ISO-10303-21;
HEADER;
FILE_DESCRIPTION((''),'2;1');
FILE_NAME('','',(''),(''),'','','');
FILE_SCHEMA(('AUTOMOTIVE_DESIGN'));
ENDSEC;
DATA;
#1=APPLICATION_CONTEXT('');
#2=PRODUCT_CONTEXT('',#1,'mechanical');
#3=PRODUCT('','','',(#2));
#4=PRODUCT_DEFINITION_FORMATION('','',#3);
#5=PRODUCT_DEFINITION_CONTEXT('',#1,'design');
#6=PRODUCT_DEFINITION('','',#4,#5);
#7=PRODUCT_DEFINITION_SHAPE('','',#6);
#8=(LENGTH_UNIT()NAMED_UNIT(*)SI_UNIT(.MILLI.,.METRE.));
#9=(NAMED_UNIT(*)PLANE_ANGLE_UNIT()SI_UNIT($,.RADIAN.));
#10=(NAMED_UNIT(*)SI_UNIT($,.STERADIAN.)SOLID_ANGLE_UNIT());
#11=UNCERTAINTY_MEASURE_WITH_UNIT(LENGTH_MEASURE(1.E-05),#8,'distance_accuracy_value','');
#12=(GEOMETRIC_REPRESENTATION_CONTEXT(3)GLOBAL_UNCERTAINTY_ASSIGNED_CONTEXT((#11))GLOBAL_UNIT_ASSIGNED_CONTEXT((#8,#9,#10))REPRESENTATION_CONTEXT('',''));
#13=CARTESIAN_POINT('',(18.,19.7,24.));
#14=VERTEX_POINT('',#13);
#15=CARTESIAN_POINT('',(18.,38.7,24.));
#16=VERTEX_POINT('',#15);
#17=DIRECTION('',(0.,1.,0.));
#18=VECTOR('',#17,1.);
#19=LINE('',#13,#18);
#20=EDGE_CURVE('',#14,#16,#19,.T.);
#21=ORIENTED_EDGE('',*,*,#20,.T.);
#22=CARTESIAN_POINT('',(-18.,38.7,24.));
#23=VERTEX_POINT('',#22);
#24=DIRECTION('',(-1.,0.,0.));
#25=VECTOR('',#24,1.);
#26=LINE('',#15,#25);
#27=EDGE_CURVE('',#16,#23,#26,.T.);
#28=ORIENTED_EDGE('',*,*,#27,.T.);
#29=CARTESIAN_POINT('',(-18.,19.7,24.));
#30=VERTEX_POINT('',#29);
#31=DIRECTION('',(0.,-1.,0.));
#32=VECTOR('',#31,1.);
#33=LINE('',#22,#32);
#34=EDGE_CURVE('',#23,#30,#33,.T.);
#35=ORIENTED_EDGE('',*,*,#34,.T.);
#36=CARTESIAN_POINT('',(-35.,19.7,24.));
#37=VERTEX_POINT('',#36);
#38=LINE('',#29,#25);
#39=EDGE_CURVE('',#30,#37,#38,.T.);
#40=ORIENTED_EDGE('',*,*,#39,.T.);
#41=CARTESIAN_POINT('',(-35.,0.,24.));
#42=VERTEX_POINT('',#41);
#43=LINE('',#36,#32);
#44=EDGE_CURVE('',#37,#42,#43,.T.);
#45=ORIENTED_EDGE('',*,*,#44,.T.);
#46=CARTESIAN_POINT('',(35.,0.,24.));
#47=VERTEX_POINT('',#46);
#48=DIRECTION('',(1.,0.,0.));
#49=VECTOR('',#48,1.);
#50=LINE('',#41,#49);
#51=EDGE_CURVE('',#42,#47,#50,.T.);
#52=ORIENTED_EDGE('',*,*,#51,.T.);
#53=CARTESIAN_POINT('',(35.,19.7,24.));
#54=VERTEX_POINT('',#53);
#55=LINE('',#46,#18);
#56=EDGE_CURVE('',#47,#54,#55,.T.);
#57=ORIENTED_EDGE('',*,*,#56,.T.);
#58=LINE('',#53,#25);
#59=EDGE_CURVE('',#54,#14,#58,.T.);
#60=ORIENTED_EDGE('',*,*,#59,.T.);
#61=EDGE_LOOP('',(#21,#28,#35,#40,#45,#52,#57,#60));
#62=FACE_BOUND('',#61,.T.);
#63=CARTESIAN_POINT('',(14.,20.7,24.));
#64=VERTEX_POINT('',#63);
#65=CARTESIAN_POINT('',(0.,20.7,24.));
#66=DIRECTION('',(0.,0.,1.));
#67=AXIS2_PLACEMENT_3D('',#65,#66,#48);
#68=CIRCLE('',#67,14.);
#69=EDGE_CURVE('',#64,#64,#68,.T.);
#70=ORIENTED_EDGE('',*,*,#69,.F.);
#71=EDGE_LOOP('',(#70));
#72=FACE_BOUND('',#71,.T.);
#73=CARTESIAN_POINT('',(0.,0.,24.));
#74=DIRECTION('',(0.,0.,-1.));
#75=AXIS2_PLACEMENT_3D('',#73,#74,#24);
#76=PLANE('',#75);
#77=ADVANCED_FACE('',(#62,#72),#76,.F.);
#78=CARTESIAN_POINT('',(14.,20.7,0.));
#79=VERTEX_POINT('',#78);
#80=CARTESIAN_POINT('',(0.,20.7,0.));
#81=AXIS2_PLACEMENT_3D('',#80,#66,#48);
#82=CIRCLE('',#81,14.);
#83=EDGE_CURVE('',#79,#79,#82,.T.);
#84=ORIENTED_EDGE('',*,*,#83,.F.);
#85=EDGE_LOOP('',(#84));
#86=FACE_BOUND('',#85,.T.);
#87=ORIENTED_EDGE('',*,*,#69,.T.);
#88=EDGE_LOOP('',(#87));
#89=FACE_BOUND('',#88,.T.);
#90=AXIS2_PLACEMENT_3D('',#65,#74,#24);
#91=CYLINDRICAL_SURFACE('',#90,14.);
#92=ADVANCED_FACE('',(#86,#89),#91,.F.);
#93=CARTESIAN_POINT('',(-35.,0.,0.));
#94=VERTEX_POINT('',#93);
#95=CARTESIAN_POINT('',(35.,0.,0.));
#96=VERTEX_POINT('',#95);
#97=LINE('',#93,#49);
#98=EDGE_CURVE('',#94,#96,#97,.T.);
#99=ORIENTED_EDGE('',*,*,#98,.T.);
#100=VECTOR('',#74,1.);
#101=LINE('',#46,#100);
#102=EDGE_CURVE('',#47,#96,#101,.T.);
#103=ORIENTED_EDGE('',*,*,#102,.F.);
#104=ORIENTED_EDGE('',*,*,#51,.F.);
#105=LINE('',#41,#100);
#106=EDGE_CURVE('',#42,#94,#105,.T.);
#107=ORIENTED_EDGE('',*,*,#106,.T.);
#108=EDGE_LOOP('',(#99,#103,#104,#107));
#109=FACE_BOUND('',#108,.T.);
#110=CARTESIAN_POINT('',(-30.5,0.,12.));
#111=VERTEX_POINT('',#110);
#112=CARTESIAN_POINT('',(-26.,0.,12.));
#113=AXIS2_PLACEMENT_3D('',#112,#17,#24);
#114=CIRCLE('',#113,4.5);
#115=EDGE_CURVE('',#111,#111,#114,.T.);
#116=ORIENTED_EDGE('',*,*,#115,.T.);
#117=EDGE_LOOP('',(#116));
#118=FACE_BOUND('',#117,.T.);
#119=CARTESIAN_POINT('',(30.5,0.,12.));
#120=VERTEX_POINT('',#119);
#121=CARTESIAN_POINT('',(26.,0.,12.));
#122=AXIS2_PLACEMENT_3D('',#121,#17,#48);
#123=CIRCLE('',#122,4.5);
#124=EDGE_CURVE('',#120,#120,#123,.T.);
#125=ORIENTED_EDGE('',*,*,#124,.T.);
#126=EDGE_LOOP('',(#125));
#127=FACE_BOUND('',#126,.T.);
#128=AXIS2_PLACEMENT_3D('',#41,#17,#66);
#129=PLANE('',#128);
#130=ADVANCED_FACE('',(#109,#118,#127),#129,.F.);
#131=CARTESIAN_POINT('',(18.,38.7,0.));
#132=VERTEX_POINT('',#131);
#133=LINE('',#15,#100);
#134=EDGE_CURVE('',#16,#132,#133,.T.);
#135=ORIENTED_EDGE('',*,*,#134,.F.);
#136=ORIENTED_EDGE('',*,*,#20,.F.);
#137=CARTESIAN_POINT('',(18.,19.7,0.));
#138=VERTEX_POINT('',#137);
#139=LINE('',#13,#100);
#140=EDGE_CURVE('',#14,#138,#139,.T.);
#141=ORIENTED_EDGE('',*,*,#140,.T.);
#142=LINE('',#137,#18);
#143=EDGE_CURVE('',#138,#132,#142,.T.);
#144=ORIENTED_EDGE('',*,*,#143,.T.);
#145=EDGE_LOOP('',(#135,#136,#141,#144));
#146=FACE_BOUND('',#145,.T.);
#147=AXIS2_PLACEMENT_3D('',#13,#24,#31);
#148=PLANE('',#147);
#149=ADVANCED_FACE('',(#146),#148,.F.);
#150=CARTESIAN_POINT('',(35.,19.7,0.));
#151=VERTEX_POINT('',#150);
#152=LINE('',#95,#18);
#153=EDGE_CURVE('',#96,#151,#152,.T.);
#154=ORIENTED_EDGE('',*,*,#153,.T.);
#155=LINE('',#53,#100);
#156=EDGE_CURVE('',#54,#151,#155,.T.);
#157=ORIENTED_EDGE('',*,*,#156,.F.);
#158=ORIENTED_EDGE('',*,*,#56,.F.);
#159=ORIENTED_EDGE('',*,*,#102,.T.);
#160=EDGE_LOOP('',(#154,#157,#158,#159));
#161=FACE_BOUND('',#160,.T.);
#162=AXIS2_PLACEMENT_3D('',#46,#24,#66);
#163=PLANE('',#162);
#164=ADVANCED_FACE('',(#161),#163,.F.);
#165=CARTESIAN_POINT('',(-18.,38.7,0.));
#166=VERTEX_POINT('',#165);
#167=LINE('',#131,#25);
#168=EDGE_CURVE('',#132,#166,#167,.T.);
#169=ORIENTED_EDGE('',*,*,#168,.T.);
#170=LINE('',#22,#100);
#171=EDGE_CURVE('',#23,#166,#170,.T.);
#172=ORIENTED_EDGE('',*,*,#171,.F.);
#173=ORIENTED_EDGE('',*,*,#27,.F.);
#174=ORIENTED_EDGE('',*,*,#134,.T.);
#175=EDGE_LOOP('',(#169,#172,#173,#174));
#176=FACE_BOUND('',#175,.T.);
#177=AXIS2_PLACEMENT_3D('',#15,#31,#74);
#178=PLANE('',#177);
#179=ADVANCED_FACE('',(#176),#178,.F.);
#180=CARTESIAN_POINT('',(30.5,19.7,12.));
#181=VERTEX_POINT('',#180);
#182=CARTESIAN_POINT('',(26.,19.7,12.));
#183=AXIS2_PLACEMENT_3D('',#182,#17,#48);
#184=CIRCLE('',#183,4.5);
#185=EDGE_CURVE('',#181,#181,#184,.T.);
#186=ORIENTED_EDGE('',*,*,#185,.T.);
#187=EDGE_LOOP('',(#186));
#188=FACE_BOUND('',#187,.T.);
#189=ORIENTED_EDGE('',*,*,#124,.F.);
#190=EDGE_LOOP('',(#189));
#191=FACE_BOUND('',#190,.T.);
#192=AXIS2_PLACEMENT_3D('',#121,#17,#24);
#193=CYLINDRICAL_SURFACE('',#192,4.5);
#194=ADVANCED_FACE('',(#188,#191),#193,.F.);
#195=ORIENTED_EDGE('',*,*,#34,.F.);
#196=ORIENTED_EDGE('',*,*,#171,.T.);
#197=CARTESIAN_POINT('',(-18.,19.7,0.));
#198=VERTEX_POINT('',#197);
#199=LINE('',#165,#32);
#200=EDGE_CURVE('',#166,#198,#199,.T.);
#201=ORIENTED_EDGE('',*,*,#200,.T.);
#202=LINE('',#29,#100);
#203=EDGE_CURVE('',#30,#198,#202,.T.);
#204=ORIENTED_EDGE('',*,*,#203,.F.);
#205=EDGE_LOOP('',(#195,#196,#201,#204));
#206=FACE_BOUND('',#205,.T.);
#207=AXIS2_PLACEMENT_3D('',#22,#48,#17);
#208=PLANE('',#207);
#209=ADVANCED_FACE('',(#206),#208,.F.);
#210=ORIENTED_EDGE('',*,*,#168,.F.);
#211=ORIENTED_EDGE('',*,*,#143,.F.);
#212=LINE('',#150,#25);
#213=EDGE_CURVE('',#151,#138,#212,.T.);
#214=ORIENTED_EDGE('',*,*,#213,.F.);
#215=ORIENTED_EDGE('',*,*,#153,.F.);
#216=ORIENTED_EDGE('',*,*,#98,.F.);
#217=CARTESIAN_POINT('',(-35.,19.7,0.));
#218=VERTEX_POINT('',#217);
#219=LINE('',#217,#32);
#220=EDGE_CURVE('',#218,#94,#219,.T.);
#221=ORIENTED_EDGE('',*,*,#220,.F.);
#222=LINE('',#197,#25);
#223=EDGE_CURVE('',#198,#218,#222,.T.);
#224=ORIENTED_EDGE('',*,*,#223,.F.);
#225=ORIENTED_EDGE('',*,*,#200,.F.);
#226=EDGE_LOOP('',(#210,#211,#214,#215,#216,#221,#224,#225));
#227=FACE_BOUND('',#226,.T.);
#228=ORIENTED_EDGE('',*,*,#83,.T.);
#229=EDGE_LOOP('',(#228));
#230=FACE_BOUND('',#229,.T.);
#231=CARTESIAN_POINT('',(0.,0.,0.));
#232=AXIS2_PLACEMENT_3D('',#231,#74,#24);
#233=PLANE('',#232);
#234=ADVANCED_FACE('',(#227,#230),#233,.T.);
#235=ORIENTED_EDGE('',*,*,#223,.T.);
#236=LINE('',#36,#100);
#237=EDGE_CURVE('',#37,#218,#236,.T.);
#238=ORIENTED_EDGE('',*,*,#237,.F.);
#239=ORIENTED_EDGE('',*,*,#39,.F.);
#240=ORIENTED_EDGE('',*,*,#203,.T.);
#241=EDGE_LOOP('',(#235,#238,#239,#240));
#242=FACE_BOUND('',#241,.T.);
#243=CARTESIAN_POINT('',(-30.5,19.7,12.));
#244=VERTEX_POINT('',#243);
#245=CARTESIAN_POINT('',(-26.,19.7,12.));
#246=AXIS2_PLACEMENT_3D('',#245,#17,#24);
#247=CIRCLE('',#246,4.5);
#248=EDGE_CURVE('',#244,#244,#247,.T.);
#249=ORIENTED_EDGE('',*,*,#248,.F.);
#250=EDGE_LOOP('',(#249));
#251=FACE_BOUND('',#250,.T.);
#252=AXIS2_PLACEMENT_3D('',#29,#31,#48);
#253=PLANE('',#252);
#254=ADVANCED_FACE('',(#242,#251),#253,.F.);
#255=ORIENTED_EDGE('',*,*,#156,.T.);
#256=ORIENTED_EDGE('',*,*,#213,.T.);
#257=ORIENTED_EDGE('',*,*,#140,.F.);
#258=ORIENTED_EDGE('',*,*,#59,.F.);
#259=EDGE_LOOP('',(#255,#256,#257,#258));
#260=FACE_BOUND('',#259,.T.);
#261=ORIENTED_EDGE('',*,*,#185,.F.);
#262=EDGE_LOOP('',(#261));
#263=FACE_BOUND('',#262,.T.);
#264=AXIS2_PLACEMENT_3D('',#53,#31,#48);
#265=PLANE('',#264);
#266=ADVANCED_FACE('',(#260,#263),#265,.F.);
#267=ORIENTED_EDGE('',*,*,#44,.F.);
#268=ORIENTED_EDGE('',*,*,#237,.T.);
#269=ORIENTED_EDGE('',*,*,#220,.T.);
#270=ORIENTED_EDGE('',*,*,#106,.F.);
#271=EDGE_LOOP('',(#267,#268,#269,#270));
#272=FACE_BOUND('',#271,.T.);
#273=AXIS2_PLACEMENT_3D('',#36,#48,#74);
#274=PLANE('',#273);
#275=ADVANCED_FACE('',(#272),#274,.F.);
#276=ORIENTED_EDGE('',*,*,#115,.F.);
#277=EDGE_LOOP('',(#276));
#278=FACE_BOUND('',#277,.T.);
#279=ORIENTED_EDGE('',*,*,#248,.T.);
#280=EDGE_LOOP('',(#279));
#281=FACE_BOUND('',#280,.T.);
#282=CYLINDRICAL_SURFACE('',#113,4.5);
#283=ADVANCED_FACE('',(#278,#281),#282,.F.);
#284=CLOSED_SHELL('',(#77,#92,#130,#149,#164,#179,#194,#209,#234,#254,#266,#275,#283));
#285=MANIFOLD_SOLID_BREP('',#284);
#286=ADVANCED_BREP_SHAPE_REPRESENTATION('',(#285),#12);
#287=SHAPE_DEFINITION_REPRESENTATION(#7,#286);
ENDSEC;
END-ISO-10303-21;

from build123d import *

# Parameters (mm, degrees)
ESBO_O1_R                = 14
RESSALTO_EXTRUS_O3_DEPTH = 24
SKETCH2_R                = 4.5
CUT_EXTRUDE1_DEPTH       = 47.787712062


with BuildPart() as part:
    # Esboço1 → Ressalto-extrusão3 (new body)
    with BuildSketch(Plane.XY):
        Polygon((-35, 0), (35, 0), (35, 19.7), (18, 19.7), (18, 38.7), (-18, 38.7), (-18, 19.7), (-35, 19.7), align=None)
        with Locations((0, 20.7)):
            Circle(ESBO_O1_R, mode=Mode.SUBTRACT)
    extrude(amount=RESSALTO_EXTRUS_O3_DEPTH)

    # Sketch2 → Cut-Extrude1 (cut, through all)
    with BuildSketch(Plane(origin=(0, 19.7, 0), x_dir=(1, 0, 0), z_dir=(0, 1, 0))):
        with Locations(Location((-26, -12, 0), (0, 0, 180))):
            Circle(SKETCH2_R)
        with Locations((26, -12)):
            Circle(SKETCH2_R)
    extrude(amount=-CUT_EXTRUDE1_DEPTH, mode=Mode.SUBTRACT)


solid = part.part
